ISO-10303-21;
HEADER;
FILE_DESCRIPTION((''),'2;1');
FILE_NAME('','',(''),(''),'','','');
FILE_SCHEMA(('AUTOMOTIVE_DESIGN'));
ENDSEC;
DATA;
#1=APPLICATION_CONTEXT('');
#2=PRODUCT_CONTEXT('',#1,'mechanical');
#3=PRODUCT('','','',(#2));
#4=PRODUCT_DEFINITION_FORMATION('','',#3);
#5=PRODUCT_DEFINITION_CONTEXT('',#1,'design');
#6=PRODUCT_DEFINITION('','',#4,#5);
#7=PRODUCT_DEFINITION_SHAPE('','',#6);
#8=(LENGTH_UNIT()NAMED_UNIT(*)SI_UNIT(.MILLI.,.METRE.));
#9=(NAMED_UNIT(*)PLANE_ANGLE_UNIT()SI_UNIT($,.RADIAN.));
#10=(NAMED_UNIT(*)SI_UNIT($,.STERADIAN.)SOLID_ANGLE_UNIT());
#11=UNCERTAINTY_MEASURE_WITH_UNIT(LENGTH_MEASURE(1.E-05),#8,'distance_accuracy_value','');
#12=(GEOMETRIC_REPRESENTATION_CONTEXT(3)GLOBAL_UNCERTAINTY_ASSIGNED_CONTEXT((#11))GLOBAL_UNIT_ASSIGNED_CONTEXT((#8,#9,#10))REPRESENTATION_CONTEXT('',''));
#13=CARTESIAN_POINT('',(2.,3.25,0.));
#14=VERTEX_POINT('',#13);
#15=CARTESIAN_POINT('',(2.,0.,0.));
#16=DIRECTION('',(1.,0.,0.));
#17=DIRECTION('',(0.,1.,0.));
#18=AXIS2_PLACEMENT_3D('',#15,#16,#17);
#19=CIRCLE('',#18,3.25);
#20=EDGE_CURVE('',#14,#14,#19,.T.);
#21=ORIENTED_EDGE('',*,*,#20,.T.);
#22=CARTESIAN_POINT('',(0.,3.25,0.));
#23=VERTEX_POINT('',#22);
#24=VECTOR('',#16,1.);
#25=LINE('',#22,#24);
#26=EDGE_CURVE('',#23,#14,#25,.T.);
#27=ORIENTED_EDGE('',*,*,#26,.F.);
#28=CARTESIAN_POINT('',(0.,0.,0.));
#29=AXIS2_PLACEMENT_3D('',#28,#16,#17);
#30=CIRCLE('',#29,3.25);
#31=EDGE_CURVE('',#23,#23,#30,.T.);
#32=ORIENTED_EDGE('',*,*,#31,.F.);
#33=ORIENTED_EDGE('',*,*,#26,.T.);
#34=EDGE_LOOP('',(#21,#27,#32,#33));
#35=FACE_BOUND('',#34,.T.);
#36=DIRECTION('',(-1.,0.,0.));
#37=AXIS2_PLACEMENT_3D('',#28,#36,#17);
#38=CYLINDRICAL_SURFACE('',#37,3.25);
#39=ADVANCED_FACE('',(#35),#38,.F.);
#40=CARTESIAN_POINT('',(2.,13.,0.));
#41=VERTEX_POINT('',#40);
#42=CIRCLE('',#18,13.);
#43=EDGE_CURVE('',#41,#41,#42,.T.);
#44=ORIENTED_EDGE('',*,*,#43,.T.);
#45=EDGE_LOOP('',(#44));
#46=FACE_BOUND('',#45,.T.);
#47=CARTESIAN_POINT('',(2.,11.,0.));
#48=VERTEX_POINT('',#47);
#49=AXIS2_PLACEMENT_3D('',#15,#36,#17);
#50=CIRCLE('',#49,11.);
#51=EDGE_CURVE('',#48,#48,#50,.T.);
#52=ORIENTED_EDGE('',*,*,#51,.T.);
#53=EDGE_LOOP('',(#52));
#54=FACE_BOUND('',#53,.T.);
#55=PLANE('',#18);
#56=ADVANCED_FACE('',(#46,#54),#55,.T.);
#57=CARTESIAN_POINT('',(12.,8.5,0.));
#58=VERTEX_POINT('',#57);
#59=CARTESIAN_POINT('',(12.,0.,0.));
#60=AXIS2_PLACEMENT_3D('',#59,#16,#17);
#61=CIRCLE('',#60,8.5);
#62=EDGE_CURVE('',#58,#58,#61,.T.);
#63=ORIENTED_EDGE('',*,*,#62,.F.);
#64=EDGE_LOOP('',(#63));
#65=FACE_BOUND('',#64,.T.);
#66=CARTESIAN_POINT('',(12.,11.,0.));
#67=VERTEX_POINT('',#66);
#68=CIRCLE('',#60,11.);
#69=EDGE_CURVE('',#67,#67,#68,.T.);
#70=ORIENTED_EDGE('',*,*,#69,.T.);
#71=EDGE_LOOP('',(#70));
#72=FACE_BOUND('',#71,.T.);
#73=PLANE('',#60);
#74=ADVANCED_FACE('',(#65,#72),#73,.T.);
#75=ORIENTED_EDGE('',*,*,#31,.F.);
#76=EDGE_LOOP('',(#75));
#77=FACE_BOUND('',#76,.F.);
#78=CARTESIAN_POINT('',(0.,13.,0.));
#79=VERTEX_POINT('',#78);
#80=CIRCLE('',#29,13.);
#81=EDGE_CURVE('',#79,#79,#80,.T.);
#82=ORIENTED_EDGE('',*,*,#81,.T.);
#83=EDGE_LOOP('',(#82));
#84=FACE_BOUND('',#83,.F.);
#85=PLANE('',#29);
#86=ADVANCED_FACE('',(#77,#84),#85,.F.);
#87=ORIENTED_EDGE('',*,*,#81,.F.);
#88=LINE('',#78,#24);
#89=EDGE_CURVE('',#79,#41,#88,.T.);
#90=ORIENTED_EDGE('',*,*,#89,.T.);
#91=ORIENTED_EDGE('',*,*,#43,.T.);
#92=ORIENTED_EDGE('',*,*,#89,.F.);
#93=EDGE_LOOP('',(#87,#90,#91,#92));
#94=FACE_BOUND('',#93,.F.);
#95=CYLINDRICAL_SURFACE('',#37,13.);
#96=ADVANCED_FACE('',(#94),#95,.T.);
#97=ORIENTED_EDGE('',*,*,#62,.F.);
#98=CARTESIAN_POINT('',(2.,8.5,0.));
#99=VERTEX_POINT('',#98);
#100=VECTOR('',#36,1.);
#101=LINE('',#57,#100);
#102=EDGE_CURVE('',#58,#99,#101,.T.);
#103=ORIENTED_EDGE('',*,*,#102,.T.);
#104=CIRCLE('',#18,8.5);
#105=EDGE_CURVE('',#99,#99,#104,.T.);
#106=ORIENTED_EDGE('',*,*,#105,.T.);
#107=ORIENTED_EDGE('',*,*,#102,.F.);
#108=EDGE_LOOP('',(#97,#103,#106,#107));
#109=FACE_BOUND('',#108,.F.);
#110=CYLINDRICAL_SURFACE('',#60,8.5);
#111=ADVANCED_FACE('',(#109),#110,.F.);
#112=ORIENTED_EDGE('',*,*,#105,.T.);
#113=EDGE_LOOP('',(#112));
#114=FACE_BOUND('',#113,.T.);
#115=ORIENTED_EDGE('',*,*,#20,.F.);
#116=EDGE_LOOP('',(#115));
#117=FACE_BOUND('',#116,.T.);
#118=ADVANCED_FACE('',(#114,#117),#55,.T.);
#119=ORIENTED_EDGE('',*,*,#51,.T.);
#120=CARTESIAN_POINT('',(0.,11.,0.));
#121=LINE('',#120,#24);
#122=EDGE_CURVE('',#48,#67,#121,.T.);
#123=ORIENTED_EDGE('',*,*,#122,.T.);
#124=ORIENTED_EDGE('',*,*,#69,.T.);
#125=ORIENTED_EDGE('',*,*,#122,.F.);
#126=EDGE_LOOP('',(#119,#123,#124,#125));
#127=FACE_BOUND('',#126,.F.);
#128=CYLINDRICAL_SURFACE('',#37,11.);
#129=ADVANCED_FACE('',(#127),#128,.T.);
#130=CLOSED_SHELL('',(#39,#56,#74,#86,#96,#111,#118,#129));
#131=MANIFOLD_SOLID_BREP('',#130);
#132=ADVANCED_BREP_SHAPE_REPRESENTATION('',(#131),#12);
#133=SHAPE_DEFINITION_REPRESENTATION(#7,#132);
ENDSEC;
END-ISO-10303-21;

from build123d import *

# Parameters (mm, degrees)
F0_R         = 11
F0_R_2       = 9
F0_R_3       = 3.25
F1_DEPTH     = 12
F2_R         = 8.5
F2_R_2       = 3.25
F3_DEPTH     = 10
F0_R_4       = 13
F1_FACE1_R   = 11
F1_FACE1_R_2 = 3.25
F4_DEPTH     = 2


with BuildPart() as f1:
    # F0 (on Right) → F1 (new body)
    with BuildSketch(Plane.YZ):
        Circle(F0_R)
        Circle(F0_R_2, mode=Mode.SUBTRACT)
        Circle(F0_R_2)
        Circle(F0_R_3, mode=Mode.SUBTRACT)
    extrude(amount=F1_DEPTH)

    # F2 (on face) → F3 (cut)
    with BuildSketch(Plane.YZ.offset(12)):
        Circle(F2_R)
        Circle(F2_R_2, mode=Mode.SUBTRACT)
    extrude(amount=-F3_DEPTH, mode=Mode.SUBTRACT)

    # F0 (on Right) + F1_face1 (on face) → F4 (join)
    with BuildSketch(Plane.YZ):
        Circle(F0_R_4)
        Circle(F0_R, mode=Mode.SUBTRACT)
        Circle(F0_R)
        Circle(F0_R_2, mode=Mode.SUBTRACT)
        Circle(F0_R_2)
        Circle(F0_R_3, mode=Mode.SUBTRACT)
    with BuildSketch(Plane(origin=(0, 0, 0), x_dir=(0, 1, 0), z_dir=(-1, 0, 0))):
        Circle(F1_FACE1_R)
        Circle(F1_FACE1_R_2, mode=Mode.SUBTRACT)
    extrude(amount=F4_DEPTH, dir=(1, 0, 0))


solid = f1.part
